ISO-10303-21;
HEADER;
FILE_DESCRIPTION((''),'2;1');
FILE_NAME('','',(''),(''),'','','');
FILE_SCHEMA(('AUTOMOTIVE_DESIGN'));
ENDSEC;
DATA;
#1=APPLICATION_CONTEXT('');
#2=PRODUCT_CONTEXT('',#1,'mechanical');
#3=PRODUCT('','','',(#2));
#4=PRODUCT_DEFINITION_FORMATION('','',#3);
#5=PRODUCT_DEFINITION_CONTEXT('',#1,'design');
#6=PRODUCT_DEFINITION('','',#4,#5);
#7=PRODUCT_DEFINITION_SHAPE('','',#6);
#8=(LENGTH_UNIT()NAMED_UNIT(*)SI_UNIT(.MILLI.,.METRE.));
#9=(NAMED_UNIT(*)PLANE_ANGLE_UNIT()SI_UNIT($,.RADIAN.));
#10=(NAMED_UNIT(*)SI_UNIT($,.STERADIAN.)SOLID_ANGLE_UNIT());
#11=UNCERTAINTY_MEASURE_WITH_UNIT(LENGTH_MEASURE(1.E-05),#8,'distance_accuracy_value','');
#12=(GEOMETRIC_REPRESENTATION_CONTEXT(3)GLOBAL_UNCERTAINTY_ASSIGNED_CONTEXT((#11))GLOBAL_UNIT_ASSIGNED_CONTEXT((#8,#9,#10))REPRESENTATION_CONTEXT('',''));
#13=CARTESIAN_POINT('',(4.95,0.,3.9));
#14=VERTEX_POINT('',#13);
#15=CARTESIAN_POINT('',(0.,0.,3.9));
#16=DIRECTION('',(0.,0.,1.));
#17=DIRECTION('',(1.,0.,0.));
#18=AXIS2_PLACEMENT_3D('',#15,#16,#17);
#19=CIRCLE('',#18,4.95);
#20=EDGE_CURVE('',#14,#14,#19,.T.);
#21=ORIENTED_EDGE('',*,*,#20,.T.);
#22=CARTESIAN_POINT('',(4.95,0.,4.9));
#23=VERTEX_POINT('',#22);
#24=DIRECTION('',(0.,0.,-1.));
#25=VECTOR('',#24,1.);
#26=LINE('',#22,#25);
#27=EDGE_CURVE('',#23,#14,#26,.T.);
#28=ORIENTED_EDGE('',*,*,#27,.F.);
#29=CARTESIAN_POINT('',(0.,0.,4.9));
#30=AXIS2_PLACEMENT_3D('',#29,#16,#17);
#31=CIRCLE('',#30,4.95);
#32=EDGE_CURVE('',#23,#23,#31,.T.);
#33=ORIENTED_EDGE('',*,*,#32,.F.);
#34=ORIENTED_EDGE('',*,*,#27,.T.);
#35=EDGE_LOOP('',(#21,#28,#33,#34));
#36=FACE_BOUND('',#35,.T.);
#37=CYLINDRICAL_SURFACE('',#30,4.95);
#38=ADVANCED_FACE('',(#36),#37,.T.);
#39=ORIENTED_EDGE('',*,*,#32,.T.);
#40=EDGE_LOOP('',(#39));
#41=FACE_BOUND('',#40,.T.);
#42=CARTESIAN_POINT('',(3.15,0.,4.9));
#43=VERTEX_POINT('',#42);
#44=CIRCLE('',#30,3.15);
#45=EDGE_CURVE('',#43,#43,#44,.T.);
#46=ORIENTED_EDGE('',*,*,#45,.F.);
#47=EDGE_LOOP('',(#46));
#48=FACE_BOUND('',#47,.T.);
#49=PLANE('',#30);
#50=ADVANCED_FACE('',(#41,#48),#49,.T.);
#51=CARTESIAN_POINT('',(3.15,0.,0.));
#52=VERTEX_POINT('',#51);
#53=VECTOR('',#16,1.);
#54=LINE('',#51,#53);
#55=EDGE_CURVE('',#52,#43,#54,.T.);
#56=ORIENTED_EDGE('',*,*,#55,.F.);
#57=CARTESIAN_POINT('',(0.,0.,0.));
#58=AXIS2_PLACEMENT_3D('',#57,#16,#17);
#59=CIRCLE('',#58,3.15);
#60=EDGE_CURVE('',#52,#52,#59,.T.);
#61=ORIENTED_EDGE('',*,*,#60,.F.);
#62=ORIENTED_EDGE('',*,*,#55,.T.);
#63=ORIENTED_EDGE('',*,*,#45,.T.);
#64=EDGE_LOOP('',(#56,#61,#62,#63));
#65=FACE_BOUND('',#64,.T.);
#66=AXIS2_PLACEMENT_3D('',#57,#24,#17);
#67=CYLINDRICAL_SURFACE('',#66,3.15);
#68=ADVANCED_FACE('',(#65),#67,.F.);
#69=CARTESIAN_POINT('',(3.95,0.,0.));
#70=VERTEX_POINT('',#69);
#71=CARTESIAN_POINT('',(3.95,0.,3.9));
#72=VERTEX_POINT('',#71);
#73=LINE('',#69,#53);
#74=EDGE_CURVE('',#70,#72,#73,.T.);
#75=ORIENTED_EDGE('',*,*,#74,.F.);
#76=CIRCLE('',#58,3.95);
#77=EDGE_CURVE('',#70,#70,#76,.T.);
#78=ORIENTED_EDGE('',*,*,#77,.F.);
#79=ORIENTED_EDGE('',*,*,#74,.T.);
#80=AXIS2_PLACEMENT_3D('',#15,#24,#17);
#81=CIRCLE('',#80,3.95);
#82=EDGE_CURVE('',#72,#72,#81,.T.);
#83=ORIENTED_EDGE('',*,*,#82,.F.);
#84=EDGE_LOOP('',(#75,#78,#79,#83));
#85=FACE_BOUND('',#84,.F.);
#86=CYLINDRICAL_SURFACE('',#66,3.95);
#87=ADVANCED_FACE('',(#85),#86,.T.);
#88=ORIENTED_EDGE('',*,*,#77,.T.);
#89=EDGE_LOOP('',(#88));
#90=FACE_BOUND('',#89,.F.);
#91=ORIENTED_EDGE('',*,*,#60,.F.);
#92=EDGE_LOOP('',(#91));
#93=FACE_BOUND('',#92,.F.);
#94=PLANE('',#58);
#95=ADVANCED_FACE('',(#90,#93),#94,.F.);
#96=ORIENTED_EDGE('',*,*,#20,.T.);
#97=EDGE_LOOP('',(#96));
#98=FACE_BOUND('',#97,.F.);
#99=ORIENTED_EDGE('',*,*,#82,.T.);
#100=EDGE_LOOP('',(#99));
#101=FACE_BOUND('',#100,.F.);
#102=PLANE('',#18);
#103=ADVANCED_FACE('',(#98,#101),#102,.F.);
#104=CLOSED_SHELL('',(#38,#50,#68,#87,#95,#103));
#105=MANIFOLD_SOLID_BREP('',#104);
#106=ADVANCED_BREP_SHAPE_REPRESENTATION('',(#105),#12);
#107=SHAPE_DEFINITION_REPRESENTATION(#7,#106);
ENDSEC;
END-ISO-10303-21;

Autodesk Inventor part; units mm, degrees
ref_plane "YZ Plane" through (0, 0, 0) normal (1, 0, 0) x (0, 1, 0)
ref_plane "XZ Plane" through (0, 0, 0) normal (0, 1, 0) x (-1, 0, 0)
ref_plane "XY Plane" through (0, 0, 0) normal (0, 0, 1) x (1, 0, 0)
sketch "Sketch1" plane through (0, 0, 0) normal (0, 0, 1) x (1, 0, 0)
  circle A0 centre (0, 0) radius 3.95
  circle A1 centre (0, 0) radius 3.15
  dimension "d0" = 7.9
  dimension "d1" = 6.3
extrude "Extrusion1" add sketch "Sketch1" along normal blind 4.9
sketch "Sketch2" plane through (0, 0, 4.9) normal (0, 0, 1) x (1, 0, 0)
  circle A0 centre (0, 0) radius 4.95
  circle A1 centre (0, 0) radius 3.15 projected
  dimension "d4" = 9.9
extrude "Extrusion2" add sketch "Sketch2" against normal blind 1
properties part number "brushing" material "Stainless Steel"
